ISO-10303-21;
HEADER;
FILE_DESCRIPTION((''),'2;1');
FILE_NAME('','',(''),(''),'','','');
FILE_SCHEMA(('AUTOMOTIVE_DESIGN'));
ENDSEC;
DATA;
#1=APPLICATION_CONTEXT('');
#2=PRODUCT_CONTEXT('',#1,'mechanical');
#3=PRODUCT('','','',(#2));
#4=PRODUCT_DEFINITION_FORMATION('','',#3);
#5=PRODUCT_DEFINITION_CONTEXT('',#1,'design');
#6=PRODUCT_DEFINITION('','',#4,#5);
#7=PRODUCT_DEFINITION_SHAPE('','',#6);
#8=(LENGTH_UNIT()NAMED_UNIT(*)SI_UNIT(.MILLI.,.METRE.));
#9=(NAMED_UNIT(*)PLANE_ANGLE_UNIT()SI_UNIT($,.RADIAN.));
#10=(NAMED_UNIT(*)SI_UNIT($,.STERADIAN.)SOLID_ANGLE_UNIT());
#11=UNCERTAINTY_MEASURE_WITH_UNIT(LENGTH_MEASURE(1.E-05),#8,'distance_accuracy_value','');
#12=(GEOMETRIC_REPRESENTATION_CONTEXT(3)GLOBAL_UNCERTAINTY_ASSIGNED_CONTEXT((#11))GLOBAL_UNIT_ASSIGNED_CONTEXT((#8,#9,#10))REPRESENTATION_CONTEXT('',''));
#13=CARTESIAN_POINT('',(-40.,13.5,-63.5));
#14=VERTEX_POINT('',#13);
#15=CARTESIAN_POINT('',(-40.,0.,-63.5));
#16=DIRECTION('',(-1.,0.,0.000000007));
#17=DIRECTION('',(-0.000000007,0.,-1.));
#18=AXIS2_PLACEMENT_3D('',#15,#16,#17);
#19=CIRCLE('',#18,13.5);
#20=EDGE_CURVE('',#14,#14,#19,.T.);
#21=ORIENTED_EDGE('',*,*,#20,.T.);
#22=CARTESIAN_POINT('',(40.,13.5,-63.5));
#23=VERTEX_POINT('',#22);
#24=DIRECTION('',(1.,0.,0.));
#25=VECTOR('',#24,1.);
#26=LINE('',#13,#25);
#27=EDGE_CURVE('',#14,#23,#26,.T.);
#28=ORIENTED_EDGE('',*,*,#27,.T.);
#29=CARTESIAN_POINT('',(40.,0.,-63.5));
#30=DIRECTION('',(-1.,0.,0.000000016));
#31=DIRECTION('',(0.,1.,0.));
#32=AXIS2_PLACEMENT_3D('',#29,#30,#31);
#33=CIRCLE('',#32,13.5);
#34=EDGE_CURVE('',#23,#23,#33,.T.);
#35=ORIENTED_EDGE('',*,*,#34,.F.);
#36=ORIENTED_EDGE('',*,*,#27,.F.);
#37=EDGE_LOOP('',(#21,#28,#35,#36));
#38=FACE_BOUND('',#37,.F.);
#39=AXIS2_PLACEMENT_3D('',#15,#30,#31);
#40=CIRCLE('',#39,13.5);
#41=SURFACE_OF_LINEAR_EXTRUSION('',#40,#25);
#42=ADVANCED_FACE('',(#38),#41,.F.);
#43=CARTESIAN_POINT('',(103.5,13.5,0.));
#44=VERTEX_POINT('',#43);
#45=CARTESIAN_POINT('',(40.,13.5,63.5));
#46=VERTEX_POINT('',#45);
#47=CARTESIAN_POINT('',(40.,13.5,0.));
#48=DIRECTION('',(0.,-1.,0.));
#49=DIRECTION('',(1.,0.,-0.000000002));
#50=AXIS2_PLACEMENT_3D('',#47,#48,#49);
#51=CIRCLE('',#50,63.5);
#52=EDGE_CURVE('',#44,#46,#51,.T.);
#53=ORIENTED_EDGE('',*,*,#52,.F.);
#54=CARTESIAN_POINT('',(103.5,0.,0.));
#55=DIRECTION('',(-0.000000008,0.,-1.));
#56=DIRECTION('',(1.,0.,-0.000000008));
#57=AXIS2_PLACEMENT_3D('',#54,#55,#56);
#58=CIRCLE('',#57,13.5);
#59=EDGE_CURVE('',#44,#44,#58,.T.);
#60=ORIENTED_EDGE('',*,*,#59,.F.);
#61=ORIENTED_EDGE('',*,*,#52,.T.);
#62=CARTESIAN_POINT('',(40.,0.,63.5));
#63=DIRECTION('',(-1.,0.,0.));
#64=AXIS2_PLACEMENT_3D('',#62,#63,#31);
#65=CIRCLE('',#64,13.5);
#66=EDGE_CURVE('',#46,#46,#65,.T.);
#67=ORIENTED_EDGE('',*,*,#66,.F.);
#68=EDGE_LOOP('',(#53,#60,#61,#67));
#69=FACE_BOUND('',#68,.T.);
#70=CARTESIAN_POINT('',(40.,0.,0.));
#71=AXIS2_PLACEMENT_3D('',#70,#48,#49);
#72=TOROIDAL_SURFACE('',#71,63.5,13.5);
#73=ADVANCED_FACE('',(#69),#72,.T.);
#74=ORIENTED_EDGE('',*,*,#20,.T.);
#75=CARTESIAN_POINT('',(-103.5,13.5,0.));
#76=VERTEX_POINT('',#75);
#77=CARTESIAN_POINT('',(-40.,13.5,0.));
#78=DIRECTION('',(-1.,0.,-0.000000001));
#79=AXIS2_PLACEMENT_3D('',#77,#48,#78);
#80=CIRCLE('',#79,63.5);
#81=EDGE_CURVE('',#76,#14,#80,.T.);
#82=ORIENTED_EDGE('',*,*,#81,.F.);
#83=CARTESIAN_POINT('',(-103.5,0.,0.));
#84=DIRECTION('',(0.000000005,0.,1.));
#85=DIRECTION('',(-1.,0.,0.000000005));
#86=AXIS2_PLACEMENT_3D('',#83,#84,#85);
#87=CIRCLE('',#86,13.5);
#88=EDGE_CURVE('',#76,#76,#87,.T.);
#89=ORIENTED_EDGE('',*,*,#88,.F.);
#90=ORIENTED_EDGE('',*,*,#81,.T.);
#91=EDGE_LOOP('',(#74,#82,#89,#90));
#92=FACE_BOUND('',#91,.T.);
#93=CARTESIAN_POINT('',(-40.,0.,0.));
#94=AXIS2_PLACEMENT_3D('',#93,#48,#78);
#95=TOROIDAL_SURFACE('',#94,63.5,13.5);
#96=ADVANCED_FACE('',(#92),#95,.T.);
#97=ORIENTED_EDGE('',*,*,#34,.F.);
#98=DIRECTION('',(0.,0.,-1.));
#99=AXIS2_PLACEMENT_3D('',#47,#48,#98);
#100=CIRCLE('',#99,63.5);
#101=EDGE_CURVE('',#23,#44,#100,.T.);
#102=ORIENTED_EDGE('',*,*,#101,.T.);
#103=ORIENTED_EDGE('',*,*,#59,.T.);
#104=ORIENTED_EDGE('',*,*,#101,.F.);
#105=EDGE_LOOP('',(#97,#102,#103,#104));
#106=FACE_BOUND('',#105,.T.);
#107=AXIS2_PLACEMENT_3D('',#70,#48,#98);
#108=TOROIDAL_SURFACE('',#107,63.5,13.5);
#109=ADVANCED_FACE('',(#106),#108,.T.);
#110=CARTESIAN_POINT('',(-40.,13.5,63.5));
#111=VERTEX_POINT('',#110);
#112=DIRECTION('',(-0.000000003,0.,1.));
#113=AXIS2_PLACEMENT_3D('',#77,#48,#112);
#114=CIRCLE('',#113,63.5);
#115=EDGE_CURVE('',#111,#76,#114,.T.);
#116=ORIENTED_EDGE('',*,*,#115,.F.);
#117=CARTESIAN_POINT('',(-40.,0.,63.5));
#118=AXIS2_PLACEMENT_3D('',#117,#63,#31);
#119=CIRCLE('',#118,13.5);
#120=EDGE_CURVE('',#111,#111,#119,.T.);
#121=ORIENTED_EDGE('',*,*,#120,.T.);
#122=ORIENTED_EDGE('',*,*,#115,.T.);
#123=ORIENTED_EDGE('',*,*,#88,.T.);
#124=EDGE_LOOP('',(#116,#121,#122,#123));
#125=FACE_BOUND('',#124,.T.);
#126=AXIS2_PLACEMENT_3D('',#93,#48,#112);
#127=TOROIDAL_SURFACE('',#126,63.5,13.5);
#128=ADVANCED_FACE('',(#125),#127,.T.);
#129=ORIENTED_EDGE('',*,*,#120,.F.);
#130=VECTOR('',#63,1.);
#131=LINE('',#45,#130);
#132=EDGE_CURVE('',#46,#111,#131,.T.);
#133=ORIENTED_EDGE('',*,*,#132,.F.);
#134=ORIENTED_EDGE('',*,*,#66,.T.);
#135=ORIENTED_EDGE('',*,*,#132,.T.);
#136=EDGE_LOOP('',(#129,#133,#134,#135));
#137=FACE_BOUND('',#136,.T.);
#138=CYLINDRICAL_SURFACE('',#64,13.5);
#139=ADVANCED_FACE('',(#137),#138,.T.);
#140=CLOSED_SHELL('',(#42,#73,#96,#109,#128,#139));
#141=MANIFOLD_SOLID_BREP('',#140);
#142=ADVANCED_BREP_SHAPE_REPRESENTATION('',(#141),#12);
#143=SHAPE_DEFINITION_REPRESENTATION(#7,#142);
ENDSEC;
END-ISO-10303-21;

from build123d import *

# Parameters (mm, degrees)
F1_R = 13.5


with BuildPart() as f2:
    # F2: sweep along a path in F0
    with BuildLine(Plane.XZ) as f2_path:
        Line((40, 50), (-40, 50))
        ThreePointArc((-40, 50), (-75.355339, 35.355339), (-90, 0))
        ThreePointArc((-90, 0), (-75.355339, -35.355339), (-40, -50))
        Line((-40, -50), (40, -50))
        ThreePointArc((40, -50), (75.355339, -35.355339), (90, 0))
        ThreePointArc((90, 0), (75.355339, 35.355339), (40, 50))
    # F1 (on Right) → F2 (sweep)
    with BuildSketch(Plane.YZ):
        with Locations((0, 63.5)):
            Circle(F1_R)
    sweep(path=f2_path.line)


solid = f2.part
